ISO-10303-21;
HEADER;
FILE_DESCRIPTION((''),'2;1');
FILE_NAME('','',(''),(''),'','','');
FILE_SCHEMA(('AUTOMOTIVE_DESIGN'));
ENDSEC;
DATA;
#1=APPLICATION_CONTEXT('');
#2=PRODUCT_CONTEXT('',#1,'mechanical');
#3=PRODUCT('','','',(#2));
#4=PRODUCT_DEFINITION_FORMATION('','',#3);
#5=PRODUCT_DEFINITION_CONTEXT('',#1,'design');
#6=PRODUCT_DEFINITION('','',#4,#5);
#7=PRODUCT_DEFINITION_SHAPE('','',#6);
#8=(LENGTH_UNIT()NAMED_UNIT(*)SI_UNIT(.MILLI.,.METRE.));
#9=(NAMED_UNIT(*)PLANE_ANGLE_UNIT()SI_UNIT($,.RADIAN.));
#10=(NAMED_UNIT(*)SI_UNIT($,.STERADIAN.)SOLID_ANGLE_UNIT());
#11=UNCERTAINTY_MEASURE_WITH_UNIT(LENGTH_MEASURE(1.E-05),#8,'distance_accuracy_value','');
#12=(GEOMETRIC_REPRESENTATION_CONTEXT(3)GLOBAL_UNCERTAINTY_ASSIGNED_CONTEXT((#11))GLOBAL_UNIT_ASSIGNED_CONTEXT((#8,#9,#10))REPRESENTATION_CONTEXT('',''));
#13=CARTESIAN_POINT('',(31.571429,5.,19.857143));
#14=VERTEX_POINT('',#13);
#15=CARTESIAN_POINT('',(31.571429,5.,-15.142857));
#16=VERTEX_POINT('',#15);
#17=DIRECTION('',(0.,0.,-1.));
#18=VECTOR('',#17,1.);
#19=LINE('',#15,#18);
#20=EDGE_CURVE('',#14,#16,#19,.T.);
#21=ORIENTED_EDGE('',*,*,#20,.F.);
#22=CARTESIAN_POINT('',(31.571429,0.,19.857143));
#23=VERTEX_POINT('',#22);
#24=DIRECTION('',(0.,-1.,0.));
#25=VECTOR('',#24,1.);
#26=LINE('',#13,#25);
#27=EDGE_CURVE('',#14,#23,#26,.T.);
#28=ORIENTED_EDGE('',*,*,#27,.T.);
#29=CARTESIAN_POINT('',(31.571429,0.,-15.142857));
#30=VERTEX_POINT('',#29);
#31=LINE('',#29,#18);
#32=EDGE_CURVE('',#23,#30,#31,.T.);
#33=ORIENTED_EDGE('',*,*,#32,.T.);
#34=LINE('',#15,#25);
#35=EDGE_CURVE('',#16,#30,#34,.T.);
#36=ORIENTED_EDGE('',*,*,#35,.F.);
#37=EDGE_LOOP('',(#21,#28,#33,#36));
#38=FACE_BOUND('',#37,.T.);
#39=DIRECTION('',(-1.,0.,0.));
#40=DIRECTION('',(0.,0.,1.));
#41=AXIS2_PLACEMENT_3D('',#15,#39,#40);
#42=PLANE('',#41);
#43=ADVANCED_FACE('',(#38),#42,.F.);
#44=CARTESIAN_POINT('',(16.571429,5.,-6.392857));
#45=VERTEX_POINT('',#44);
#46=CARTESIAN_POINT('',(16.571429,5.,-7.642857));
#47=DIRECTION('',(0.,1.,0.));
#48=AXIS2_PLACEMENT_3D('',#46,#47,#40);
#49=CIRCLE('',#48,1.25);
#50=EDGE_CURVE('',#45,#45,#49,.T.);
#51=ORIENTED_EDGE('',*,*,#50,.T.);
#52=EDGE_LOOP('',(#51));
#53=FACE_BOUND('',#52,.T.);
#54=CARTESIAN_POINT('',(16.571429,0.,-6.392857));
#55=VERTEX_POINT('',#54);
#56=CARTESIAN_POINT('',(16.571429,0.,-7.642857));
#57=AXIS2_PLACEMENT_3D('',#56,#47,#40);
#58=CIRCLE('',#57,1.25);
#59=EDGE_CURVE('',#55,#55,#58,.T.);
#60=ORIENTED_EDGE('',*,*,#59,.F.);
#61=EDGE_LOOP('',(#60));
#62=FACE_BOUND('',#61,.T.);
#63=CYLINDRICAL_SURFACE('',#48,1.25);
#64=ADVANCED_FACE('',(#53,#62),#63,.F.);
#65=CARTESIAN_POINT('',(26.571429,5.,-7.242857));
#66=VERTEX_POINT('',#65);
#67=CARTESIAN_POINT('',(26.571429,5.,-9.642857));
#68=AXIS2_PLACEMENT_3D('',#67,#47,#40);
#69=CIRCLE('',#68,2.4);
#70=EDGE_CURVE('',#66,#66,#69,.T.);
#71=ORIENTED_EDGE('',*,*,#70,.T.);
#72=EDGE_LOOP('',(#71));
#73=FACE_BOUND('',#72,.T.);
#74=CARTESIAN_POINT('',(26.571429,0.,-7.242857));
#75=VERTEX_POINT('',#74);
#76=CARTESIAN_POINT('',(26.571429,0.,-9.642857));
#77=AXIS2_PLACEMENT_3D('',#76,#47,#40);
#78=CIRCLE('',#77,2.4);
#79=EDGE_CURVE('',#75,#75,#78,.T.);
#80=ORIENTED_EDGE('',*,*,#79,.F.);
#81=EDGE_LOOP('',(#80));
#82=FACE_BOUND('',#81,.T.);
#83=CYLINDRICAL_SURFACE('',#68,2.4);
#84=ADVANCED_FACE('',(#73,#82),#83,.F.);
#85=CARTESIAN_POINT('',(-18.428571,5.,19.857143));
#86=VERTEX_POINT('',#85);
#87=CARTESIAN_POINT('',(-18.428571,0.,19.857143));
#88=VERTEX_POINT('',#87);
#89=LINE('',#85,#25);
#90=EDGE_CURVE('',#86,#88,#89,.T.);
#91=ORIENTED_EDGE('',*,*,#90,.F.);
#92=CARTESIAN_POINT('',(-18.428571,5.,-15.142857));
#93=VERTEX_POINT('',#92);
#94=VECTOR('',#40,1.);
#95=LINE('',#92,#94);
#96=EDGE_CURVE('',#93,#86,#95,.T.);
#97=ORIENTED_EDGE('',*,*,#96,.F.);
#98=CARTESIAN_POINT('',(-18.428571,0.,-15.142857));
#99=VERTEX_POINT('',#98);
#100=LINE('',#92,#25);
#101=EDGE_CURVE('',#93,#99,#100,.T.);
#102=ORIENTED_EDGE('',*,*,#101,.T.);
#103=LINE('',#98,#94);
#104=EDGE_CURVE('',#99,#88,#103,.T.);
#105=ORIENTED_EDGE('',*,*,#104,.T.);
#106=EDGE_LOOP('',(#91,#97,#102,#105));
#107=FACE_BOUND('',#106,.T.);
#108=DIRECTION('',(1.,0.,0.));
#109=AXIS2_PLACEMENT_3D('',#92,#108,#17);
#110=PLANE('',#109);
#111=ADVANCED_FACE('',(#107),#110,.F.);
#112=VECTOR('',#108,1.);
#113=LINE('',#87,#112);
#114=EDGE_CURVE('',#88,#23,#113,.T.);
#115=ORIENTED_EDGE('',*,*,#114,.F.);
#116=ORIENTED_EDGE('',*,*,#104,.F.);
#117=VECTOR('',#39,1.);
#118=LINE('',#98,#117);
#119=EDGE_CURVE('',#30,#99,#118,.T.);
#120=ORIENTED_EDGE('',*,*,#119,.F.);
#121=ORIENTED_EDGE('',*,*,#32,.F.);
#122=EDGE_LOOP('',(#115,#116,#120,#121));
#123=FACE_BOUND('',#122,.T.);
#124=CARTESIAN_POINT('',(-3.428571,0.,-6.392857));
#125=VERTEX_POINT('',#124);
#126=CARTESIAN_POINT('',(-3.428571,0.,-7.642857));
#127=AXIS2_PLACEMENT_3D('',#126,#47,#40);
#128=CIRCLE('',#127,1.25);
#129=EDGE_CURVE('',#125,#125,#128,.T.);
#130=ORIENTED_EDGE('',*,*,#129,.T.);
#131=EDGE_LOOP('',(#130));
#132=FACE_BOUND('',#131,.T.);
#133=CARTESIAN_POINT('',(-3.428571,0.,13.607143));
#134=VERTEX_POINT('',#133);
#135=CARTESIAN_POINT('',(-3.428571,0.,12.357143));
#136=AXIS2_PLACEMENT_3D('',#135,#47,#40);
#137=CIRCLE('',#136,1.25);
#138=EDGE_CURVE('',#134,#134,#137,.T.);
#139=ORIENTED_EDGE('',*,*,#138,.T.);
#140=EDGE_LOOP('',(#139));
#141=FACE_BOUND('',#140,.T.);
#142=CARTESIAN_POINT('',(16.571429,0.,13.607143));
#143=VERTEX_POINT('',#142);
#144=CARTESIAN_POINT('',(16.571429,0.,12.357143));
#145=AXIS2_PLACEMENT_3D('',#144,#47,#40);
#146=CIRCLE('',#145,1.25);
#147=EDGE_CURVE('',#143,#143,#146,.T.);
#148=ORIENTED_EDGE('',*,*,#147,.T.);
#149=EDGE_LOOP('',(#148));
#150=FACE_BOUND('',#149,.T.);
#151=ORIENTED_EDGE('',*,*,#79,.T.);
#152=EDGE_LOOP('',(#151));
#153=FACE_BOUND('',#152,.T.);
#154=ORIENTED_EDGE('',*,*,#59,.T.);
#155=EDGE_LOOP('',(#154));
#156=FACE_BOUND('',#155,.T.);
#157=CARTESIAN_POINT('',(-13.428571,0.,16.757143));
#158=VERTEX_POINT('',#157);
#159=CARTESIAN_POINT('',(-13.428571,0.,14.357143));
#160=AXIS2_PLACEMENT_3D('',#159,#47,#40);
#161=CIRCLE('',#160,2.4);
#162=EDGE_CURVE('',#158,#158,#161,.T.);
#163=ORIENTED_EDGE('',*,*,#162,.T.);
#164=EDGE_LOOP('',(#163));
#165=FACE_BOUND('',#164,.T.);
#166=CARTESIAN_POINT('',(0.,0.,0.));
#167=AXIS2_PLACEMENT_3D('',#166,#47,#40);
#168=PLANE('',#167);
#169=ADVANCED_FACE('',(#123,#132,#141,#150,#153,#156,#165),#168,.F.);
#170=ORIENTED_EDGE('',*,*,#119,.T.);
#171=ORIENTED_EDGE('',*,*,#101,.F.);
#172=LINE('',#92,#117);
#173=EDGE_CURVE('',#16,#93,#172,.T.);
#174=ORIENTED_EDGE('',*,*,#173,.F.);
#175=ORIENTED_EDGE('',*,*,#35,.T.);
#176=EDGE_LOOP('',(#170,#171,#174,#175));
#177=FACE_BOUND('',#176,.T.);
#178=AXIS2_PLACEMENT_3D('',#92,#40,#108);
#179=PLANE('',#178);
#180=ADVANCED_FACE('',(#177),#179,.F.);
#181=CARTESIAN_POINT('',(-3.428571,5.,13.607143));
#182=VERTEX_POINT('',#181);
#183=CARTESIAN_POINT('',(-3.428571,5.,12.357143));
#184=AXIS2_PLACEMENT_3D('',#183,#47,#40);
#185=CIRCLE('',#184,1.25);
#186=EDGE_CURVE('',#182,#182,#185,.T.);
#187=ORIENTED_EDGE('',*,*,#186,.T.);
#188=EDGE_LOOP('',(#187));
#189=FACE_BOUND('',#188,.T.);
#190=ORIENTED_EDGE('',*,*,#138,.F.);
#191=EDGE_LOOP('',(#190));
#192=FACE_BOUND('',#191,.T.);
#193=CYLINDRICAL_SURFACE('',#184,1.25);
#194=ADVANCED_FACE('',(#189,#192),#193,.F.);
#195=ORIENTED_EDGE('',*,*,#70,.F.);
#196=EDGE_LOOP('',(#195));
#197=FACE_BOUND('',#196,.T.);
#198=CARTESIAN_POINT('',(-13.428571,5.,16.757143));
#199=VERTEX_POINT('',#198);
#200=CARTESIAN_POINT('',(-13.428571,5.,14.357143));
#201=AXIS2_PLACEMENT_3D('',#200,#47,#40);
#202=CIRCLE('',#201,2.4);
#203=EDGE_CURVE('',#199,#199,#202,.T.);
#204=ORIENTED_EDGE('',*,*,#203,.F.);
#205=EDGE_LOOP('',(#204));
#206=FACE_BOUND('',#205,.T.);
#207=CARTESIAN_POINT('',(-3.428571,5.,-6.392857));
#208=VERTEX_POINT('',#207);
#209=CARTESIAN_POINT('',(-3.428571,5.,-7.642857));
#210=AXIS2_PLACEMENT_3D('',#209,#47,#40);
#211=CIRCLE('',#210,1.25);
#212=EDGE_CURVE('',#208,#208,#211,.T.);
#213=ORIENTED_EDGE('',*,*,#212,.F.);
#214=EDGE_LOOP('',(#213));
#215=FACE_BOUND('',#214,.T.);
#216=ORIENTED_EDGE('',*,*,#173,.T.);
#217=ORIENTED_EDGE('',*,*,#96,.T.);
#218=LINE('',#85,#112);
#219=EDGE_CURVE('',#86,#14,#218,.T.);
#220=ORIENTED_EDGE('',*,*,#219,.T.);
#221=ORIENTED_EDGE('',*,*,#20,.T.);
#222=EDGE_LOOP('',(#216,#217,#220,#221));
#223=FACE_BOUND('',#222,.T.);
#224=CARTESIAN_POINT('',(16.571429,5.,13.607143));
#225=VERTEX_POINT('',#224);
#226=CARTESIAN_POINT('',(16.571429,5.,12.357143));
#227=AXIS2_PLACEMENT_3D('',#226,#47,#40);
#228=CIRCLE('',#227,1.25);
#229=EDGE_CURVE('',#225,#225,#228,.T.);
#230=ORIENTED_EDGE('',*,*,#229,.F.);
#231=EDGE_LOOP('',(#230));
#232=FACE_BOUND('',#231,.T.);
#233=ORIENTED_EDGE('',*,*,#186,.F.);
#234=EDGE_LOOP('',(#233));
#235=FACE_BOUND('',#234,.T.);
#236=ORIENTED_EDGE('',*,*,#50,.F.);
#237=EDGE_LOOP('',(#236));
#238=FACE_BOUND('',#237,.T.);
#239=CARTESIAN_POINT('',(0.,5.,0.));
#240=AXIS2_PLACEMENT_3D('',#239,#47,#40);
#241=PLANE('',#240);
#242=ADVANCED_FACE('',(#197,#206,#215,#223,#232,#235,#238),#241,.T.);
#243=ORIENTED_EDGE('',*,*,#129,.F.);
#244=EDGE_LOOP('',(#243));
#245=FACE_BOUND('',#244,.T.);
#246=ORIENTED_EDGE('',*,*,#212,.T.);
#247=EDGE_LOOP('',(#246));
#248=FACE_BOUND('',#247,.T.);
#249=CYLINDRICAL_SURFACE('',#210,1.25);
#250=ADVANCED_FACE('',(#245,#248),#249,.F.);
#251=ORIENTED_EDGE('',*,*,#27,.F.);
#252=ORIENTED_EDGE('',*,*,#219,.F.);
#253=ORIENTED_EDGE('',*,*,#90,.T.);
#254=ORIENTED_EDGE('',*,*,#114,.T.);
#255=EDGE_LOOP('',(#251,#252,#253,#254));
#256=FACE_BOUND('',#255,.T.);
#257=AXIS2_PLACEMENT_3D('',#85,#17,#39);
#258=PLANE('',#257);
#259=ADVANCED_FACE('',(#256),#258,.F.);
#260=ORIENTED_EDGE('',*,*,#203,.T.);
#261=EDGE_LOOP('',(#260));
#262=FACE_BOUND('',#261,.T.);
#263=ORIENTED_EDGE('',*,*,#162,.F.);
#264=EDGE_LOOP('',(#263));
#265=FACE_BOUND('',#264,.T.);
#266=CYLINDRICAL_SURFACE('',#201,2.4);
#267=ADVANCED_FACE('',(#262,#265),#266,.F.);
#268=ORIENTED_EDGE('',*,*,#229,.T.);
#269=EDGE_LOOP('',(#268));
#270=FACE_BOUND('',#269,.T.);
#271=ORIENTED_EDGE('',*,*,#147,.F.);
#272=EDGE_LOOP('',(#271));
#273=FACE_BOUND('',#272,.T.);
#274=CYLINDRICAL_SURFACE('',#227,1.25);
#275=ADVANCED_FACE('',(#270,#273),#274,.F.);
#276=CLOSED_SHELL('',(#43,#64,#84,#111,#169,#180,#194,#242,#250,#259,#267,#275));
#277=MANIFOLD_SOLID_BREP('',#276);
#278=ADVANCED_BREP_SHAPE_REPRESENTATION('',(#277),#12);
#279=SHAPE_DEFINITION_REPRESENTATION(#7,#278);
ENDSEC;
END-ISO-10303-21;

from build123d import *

# Parameters (mm, degrees)
ESQUISSE1_W                               = 50
ESQUISSE1_H                               = 35
BOSS_EXTRU_1_DEPTH                        = 5
TROU_POUR_TARAUDAGE_POUR_TROU_TARAUD_M3_D = 2.5
D_GAGEMENT_M43_D                          = 4.8


with BuildPart() as part:
    # Esquisse1 → Boss.-Extru.1 (new body)
    with BuildSketch(Plane(origin=(0, 0, 0), x_dir=(1, 0, 0), z_dir=(0, 1, 0))):
        with Locations((6.571428571, -2.357142857)):
            Rectangle(ESQUISSE1_W, ESQUISSE1_H)
    extrude(amount=BOSS_EXTRU_1_DEPTH)

    # Trou pour taraudage pour trou taraudé M33 (through all)
    with Locations(Plane(origin=(0, 5, 0), x_dir=(1, 0, 0), z_dir=(0, 1, 0))):
        with Locations((16.571428571, 7.642857143), (-3.428571429, 7.642857143), (16.571428571, -12.357142857), (-3.428571429, -12.357142857)):
            Hole(TROU_POUR_TARAUDAGE_POUR_TROU_TARAUD_M3_D / 2)

    # Dégagement M43 (through all)
    with Locations(Plane(origin=(0, 5, 0), x_dir=(1, 0, 0), z_dir=(0, 1, 0))):
        with Locations((26.571428571, 9.642857143), (-13.428571429, -14.357142857)):
            Hole(D_GAGEMENT_M43_D / 2)


solid = part.part
